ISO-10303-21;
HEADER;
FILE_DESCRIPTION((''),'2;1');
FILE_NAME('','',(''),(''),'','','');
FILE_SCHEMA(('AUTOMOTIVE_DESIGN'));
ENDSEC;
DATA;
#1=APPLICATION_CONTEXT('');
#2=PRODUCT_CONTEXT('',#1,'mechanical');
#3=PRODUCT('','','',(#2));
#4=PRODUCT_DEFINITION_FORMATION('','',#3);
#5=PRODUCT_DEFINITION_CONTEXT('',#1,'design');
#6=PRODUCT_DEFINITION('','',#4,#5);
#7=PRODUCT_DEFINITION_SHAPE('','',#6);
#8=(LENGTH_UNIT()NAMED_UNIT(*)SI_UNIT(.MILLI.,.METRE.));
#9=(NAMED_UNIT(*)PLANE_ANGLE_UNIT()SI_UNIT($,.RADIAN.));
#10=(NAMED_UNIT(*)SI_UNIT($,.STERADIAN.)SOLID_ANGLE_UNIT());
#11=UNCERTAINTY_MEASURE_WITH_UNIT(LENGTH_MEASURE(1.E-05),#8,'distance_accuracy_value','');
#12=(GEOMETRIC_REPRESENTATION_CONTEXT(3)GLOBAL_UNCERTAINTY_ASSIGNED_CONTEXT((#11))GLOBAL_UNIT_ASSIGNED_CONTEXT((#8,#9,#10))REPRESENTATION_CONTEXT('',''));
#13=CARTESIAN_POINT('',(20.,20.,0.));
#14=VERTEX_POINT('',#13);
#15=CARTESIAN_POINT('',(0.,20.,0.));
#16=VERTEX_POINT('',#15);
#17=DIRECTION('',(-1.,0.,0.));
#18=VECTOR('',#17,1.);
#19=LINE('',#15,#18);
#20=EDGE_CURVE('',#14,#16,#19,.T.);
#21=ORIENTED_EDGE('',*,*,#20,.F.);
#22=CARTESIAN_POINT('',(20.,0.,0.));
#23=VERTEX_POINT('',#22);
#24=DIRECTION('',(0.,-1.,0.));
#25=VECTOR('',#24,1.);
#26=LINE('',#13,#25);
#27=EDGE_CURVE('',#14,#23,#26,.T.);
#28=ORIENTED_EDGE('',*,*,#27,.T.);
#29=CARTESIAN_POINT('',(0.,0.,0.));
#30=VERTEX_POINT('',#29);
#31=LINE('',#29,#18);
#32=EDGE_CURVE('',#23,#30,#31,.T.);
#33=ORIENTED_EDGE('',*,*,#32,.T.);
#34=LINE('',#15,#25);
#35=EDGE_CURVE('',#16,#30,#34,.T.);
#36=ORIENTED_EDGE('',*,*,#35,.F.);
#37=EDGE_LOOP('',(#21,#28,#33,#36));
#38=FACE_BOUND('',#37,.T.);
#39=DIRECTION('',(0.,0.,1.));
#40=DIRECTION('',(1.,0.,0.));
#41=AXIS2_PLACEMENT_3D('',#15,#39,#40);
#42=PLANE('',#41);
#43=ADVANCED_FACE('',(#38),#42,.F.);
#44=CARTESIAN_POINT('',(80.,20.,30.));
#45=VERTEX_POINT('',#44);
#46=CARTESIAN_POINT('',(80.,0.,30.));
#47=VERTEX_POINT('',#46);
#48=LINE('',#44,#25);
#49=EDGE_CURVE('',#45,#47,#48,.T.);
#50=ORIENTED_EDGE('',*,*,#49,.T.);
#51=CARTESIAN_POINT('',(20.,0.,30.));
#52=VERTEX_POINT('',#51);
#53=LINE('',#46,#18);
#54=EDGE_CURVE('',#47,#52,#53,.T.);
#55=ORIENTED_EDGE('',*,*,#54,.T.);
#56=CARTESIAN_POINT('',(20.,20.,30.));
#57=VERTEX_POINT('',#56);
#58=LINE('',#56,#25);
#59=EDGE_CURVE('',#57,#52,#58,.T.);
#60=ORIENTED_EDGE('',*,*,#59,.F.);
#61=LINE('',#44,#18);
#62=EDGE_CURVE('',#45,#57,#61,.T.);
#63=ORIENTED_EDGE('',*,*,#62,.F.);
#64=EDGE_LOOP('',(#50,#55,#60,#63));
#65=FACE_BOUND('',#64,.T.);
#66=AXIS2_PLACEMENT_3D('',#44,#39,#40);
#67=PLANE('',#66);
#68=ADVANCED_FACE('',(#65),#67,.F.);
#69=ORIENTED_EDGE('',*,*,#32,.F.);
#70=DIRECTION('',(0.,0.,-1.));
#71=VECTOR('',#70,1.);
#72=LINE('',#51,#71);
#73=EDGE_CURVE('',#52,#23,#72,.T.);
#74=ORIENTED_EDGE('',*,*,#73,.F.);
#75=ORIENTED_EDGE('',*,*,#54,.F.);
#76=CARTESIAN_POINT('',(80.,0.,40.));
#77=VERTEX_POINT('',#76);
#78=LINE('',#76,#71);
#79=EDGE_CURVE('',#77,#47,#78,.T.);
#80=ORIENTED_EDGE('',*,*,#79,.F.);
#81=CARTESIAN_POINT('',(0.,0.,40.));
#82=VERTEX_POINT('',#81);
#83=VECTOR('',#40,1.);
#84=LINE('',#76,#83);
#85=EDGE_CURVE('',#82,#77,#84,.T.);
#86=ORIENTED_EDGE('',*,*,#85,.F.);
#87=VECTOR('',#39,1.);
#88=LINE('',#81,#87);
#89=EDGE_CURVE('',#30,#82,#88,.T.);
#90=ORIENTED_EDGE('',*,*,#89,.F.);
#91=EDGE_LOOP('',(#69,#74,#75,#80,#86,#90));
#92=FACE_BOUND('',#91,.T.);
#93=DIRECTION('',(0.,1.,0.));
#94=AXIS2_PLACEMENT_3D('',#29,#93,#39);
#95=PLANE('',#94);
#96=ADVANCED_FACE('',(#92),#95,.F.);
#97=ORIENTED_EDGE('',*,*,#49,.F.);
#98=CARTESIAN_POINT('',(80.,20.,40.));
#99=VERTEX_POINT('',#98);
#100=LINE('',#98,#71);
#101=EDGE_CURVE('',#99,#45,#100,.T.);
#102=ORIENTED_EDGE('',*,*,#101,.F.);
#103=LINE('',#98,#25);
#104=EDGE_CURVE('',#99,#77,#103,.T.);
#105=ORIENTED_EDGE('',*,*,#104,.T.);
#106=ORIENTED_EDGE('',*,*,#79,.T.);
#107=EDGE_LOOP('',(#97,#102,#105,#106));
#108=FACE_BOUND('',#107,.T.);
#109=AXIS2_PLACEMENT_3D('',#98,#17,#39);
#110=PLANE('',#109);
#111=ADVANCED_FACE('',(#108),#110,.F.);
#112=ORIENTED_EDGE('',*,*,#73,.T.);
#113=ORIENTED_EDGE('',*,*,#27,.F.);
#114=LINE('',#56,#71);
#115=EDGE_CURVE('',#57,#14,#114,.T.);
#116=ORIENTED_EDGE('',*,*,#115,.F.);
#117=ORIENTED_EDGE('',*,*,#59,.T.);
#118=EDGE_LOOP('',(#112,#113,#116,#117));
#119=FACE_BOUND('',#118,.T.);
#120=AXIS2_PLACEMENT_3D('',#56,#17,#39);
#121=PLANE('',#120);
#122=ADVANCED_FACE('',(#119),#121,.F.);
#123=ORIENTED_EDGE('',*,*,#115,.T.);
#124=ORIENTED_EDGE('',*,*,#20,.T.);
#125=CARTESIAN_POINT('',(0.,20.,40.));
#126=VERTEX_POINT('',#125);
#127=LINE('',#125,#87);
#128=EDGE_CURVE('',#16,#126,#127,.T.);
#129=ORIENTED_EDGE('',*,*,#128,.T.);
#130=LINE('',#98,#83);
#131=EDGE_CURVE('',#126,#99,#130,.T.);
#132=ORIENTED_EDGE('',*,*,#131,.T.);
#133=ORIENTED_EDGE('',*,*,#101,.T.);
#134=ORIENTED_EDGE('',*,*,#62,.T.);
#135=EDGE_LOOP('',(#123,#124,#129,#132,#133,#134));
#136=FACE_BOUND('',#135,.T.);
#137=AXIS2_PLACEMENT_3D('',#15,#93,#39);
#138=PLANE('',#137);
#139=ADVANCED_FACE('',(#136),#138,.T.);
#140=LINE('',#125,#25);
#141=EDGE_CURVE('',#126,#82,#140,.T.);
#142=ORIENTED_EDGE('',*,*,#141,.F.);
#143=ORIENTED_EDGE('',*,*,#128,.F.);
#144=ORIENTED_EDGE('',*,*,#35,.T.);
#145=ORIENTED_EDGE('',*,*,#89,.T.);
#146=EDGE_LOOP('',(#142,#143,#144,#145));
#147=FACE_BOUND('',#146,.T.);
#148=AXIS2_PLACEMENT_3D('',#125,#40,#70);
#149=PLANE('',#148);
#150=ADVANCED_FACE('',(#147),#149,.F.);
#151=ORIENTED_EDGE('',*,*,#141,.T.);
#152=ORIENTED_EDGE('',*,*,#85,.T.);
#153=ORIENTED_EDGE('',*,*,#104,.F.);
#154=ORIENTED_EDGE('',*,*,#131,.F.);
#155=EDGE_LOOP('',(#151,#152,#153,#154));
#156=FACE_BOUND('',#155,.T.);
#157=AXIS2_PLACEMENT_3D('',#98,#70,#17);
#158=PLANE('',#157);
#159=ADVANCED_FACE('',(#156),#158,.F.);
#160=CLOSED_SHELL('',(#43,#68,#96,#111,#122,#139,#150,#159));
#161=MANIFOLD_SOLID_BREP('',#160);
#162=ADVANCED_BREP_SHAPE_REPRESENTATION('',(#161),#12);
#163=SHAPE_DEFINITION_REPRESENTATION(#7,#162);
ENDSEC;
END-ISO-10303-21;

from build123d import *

# Parameters (mm, degrees)
BOSS_EXTRUDE1_DEPTH = 20


with BuildPart() as part:
    # Sketch2 → Boss-Extrude1 (new body)
    with BuildSketch(Plane(origin=(0, 0, 0), x_dir=(1, 0, 0), z_dir=(0, 1, 0))):
        Polygon((0, -40), (0, 0), (20, 0), (20, -30), (80, -30), (80, -40), align=None)
    extrude(amount=BOSS_EXTRUDE1_DEPTH)


solid = part.part
